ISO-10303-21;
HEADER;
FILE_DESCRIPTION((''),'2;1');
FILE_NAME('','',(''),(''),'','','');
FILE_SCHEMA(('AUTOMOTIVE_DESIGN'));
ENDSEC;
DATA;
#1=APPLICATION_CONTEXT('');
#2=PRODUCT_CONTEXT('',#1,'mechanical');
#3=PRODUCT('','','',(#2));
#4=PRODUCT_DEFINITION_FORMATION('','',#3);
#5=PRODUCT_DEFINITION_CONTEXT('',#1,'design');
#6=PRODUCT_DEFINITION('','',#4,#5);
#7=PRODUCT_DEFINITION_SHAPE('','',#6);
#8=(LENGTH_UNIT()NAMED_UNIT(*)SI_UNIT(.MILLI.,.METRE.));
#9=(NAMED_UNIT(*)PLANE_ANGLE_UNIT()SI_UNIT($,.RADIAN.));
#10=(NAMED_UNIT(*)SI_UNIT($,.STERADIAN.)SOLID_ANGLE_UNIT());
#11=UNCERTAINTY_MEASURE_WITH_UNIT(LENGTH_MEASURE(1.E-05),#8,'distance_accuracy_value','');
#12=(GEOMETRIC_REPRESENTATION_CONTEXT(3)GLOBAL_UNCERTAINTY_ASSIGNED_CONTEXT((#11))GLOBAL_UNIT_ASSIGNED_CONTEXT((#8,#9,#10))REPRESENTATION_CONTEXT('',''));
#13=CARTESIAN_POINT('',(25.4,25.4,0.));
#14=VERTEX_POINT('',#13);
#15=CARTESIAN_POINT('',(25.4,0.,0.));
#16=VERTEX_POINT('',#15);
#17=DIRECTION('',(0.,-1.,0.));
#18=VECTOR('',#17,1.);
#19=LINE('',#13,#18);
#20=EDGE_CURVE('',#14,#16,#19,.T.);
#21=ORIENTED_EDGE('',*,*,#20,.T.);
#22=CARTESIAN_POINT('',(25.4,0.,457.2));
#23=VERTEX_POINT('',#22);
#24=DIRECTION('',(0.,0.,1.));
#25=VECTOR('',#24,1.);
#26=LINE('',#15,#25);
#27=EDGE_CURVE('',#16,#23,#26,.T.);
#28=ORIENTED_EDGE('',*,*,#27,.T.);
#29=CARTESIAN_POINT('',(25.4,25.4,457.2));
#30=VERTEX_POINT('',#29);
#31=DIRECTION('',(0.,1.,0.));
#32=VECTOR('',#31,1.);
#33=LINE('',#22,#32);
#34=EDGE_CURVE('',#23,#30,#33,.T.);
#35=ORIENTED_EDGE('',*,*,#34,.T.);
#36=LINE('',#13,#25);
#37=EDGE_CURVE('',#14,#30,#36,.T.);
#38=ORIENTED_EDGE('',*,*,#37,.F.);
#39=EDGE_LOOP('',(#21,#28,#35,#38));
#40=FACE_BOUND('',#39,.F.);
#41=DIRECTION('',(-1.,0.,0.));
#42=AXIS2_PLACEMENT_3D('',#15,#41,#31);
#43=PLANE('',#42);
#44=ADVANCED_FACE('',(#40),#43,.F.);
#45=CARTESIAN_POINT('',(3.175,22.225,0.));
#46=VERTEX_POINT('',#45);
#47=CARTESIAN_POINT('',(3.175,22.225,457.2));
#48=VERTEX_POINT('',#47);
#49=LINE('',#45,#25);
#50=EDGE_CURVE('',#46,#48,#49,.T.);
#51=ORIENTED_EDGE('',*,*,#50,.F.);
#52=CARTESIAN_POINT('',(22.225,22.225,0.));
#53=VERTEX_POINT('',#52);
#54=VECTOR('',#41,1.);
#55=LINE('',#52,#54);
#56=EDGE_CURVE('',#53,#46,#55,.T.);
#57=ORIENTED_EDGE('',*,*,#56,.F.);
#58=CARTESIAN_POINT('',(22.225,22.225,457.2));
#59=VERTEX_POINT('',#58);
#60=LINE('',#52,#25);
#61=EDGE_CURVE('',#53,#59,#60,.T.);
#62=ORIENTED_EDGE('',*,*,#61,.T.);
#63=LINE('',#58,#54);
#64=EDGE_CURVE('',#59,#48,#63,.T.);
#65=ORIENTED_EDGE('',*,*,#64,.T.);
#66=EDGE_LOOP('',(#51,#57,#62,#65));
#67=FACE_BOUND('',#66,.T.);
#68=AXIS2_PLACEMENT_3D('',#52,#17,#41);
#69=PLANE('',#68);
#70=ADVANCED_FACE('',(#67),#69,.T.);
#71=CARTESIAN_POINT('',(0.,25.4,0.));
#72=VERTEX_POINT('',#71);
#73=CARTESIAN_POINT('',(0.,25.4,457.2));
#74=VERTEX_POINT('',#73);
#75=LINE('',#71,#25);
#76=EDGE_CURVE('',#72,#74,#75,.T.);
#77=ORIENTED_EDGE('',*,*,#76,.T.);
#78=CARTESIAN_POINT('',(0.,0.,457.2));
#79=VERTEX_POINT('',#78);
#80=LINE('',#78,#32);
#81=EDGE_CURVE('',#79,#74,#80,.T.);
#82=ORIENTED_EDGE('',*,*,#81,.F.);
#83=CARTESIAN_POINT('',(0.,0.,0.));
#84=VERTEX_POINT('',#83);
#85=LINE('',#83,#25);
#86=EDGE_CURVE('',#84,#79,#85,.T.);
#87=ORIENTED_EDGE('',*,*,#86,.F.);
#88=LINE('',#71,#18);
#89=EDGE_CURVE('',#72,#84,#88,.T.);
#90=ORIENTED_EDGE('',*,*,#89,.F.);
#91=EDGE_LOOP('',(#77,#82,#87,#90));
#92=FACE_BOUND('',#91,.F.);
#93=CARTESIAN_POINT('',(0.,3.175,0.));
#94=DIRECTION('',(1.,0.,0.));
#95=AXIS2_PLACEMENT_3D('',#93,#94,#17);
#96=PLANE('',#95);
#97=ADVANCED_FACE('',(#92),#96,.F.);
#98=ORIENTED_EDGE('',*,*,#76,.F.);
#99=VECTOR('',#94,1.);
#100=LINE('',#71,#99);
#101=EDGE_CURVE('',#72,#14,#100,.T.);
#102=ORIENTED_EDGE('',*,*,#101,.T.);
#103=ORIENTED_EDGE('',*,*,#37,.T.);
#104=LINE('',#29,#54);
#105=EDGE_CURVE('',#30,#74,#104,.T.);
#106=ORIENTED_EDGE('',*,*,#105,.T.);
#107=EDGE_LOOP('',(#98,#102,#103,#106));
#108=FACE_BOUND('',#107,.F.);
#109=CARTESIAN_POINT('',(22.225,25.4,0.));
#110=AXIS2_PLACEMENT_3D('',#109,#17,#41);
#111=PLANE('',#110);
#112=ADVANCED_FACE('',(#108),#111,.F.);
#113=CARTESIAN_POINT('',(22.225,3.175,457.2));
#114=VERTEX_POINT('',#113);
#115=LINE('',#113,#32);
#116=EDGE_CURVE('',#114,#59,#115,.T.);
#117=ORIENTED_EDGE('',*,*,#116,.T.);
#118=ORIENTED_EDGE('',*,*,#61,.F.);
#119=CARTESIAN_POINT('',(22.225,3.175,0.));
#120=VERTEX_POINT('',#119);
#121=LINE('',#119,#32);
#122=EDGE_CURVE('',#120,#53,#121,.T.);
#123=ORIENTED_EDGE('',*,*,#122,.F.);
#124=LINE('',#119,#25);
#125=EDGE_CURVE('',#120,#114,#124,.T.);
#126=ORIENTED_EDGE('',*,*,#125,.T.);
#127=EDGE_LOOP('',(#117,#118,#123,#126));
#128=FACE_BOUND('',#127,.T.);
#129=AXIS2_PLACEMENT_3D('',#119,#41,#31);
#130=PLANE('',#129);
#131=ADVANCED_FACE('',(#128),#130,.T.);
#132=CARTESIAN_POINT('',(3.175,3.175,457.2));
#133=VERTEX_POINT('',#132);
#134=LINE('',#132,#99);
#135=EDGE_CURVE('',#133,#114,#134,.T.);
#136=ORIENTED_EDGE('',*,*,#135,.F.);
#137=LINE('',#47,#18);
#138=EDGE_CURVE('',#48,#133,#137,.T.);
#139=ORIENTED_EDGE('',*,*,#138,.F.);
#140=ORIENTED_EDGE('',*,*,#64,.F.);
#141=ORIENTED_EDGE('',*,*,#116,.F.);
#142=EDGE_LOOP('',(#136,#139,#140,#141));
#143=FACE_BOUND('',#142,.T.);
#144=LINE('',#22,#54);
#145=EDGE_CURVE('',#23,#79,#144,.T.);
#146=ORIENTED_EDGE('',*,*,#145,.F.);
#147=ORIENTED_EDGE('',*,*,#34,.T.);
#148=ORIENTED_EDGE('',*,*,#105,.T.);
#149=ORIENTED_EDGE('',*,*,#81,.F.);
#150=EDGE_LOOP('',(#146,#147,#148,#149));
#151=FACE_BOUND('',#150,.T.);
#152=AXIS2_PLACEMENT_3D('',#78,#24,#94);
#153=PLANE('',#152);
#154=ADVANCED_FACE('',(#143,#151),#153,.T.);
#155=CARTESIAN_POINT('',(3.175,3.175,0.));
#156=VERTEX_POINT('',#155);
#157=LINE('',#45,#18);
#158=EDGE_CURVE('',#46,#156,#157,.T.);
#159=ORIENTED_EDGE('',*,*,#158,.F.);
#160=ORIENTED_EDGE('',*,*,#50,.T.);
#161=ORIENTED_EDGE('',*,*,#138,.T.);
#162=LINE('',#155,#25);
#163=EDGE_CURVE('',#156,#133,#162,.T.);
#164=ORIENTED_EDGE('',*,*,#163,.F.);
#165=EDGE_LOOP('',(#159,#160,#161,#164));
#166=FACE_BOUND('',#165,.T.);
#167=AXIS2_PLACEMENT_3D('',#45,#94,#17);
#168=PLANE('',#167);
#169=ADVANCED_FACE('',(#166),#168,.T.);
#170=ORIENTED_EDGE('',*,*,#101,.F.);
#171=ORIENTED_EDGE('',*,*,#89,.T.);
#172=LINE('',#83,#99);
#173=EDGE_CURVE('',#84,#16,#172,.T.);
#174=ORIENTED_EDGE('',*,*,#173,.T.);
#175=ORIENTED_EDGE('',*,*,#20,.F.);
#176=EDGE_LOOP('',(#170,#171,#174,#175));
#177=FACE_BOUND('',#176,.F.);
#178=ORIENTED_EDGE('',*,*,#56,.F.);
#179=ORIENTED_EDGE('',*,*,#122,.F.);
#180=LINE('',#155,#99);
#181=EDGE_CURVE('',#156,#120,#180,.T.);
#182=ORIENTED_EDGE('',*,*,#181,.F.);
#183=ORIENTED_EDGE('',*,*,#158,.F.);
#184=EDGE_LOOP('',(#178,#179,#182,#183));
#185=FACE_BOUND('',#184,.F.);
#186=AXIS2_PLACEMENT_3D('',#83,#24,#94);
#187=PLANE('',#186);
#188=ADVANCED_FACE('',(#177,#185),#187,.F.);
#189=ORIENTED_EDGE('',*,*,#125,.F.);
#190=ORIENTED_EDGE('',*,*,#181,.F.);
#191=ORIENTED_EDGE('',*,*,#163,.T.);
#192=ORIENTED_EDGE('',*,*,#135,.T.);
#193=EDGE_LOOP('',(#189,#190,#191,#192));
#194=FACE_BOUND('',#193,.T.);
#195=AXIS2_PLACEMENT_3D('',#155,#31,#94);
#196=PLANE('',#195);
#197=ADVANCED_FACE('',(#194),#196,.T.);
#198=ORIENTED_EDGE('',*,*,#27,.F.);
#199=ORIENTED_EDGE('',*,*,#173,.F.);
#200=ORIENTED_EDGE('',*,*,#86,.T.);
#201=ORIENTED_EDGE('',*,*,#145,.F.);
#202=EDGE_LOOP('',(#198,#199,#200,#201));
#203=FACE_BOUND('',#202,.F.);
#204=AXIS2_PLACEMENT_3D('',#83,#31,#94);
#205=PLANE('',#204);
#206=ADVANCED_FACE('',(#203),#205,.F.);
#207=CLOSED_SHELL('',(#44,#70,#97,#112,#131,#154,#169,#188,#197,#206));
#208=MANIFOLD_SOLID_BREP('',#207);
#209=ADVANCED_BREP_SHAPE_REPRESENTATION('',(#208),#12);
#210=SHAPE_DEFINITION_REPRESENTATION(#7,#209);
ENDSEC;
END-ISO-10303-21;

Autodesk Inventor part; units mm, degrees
ref_plane "YZ Plane" through (0, 0, 0) normal (1, 0, 0) x (0, 1, 0)
ref_plane "XZ Plane" through (0, 0, 0) normal (0, 1, 0) x (-1, 0, 0)
ref_plane "XY Plane" through (0, 0, 0) normal (0, 0, 1) x (1, 0, 0)
sketch "Sketch1" plane through (0, 0, 0) normal (0, 0, 1) x (1, 0, 0)
  line L0 (0, 0) -> (25.4, 0)
  line L1 (25.4, 0) -> (25.4, 25.4)
  line L2 (25.4, 25.4) -> (0, 25.4)
  line L3 (0, 25.4) -> (0, 0)
  line L4 (0, 0) -> (3.175, 0)
  line L5 (3.175, 0) -> (3.175, 3.175)
  line L6 (3.175, 3.175) -> (0, 3.175)
  line L7 (0, 3.175) -> (0, 0)
  line L8 (25.4, 25.4) -> (22.225, 25.4)
  line L9 (22.225, 25.4) -> (22.225, 22.225)
  line L10 (22.225, 22.225) -> (25.4, 22.225)
  line L11 (25.4, 22.225) -> (25.4, 25.4)
  line L12 (22.225, 22.225) -> (3.175, 22.225)
  line L13 (3.175, 22.225) -> (3.175, 3.175)
  line L14 (3.175, 3.175) -> (22.225, 3.175)
  line L15 (22.225, 3.175) -> (22.225, 22.225)
  dimension "d0" = 25.4
  dimension "d1" = 25.4
  dimension "d2" = 3.175
  dimension "d3" = 3.175
  dimension "d4" = 3.175
  dimension "d5" = 3.175
extrude "Extrusion1" add sketch "Sketch1" along normal blind 457.2 contours L3 L6 L5 L0 | L5 L14 L15 L10 L1 L0 | L3 L2 L9 L12 L13 L6 | L10 L9 L2 L1
properties part number "18inSqTube" material "Steel, Mild"
